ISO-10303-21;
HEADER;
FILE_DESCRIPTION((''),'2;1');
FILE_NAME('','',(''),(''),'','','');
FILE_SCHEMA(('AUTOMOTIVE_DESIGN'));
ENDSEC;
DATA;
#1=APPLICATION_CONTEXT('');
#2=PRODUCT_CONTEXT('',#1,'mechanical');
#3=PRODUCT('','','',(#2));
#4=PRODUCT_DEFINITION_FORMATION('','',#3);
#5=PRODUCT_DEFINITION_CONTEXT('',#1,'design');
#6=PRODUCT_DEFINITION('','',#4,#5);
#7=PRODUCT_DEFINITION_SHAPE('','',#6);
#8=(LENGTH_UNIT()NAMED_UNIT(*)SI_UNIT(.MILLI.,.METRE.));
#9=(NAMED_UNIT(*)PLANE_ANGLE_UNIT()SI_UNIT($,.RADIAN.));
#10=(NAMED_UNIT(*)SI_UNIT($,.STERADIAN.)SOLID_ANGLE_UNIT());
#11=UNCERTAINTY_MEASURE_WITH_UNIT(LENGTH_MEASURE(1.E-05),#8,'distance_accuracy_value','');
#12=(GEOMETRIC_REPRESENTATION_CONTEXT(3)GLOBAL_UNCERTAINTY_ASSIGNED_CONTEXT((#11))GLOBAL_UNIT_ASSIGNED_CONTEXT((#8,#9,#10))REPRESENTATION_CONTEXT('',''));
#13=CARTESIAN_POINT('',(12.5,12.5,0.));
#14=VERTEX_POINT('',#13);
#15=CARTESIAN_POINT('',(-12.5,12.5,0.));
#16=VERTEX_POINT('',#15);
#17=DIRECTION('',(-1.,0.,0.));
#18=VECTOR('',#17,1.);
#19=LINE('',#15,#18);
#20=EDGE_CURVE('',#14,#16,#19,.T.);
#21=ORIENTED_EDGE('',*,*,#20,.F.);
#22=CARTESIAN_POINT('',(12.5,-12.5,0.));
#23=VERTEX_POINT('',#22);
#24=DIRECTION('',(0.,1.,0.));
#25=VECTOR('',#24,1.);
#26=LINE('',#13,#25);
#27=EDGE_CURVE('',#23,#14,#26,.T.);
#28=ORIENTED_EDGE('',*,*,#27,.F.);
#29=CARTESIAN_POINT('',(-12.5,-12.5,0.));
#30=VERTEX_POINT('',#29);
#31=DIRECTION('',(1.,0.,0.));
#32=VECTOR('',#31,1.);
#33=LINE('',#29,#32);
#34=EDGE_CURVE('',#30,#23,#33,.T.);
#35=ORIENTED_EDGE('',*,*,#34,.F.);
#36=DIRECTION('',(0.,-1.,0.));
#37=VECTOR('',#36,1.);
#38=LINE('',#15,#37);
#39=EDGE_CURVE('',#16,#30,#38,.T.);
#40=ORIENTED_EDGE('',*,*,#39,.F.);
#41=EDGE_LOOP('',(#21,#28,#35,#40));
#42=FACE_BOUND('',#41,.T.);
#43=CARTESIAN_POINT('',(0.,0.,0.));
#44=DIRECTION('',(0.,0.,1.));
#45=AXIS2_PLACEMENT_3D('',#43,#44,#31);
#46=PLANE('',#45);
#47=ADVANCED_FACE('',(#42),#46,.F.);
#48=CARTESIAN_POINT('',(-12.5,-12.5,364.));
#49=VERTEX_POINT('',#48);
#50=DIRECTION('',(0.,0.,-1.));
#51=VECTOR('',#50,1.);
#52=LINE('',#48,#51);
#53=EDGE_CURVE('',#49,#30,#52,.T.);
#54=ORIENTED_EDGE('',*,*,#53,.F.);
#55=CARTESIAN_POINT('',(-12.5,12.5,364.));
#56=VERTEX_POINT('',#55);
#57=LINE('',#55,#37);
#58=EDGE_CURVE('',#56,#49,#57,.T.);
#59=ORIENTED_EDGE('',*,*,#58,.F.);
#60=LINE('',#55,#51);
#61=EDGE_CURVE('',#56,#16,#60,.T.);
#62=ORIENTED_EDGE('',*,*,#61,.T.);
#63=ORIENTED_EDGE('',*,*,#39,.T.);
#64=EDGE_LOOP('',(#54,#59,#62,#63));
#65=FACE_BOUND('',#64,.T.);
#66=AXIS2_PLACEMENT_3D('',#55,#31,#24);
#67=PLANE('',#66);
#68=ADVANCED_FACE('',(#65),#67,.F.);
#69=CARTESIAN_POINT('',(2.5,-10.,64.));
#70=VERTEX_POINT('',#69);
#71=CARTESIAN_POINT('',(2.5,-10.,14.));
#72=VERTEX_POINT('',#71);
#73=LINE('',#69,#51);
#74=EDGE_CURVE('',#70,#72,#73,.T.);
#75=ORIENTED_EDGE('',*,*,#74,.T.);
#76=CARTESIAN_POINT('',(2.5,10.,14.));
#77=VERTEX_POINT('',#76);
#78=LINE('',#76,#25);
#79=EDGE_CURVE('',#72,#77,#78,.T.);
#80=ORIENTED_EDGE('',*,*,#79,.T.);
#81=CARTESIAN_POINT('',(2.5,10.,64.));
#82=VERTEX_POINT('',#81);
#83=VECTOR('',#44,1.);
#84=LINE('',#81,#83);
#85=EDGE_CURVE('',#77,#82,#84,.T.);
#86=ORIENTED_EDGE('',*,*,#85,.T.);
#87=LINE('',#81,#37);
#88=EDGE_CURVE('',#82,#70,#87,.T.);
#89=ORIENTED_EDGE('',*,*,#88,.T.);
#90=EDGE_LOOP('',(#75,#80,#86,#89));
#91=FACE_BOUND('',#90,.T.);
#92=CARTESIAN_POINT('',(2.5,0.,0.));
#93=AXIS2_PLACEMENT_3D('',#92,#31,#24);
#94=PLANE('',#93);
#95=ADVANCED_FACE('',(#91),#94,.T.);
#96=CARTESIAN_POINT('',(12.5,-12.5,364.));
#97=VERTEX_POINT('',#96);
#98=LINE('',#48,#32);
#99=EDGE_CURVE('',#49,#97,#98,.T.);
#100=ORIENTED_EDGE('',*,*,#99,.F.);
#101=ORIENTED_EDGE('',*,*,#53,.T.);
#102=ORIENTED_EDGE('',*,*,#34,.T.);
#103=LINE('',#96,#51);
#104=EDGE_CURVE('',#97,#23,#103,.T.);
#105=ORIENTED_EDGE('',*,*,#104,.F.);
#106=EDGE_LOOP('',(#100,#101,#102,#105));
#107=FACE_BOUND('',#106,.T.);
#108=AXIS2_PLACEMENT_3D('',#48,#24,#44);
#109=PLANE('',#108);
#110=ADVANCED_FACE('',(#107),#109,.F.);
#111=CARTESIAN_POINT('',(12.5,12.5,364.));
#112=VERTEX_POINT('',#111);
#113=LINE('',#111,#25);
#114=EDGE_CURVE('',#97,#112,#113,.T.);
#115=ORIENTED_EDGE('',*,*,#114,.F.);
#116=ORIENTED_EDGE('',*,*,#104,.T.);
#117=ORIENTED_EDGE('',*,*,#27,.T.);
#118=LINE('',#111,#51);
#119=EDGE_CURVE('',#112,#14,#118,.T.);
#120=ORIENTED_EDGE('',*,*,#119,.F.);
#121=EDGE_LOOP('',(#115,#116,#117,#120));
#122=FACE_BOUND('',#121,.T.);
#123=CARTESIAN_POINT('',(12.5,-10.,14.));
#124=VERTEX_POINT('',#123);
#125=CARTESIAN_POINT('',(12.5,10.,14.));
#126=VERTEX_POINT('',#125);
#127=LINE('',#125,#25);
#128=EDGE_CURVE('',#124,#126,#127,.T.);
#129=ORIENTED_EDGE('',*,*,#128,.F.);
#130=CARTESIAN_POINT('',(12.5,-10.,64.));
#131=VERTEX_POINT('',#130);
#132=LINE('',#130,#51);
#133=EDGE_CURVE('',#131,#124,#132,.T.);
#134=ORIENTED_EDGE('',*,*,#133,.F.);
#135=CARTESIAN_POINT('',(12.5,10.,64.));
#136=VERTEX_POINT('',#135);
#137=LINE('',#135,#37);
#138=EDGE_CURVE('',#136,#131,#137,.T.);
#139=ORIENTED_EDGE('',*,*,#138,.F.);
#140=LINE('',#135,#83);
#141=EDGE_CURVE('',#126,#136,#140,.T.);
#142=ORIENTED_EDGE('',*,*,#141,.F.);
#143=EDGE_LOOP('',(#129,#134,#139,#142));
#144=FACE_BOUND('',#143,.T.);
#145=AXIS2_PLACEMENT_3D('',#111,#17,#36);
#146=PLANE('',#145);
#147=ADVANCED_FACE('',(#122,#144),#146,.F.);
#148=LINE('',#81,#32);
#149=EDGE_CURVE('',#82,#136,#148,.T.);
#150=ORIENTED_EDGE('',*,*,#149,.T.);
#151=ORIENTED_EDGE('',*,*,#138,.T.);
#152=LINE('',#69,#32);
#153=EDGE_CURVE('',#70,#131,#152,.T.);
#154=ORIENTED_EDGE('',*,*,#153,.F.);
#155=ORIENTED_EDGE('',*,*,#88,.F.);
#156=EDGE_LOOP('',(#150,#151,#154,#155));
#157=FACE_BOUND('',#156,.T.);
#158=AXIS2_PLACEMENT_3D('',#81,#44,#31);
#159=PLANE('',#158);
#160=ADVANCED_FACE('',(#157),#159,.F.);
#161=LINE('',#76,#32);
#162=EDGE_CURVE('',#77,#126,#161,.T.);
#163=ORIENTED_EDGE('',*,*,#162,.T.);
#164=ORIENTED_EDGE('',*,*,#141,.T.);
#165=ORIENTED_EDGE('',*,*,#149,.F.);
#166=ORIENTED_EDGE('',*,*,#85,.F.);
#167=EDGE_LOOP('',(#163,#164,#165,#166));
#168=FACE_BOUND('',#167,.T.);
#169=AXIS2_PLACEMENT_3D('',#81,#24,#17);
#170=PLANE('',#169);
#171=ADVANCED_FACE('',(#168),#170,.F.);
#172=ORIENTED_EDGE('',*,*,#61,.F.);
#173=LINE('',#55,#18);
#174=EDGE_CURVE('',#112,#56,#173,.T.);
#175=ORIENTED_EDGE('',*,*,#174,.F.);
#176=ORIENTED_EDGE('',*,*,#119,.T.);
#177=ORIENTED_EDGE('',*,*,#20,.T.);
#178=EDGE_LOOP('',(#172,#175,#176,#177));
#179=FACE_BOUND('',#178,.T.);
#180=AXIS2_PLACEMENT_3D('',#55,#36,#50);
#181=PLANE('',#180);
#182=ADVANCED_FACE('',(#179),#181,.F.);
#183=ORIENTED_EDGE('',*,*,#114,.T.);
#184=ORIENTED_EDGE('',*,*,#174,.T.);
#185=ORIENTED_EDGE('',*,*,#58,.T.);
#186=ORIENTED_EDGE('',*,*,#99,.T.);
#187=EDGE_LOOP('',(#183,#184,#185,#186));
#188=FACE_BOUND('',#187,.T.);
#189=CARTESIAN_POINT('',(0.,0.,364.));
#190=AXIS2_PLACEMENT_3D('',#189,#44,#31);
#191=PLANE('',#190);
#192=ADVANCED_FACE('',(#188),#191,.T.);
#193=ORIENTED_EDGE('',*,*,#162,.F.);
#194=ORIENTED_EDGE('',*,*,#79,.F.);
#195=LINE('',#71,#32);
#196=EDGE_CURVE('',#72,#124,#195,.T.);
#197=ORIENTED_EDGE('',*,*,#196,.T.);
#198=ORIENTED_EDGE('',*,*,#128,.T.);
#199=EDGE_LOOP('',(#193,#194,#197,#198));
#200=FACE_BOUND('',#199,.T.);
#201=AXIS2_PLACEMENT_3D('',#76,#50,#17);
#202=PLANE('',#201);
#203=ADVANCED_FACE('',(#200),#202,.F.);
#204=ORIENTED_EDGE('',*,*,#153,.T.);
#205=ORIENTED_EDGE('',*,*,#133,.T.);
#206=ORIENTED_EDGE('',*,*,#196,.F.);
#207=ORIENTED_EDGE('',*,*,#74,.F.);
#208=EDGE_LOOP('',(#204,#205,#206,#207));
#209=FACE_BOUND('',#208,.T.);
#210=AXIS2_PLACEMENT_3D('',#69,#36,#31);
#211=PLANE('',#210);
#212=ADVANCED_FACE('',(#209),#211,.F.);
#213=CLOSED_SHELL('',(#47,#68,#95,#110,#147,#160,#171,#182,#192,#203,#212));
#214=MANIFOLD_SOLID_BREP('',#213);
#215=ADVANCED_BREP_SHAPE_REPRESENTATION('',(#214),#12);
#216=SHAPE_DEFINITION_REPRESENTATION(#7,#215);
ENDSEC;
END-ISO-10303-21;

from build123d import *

# Parameters (mm, degrees)
SKETCH1_W           = 25
SKETCH1_H           = 25
BOSS_EXTRUDE1_DEPTH = 364
SKETCH2_W           = 50
SKETCH2_H           = 20
CUT_EXTRUDE1_DEPTH  = 10


with BuildPart() as part:
    # Sketch1 → Boss-Extrude1 (new body)
    with BuildSketch(Plane.XY):
        Rectangle(SKETCH1_W, SKETCH1_H)
    extrude(amount=BOSS_EXTRUDE1_DEPTH)

    # Sketch2 → Cut-Extrude1 (cut)
    with BuildSketch(Plane(origin=(12.5, 0, 0), x_dir=(0, 0, -1), z_dir=(1, 0, 0))):
        with Locations((-39, 0)):
            Rectangle(SKETCH2_W, SKETCH2_H)
    extrude(amount=-CUT_EXTRUDE1_DEPTH, mode=Mode.SUBTRACT)


solid = part.part
